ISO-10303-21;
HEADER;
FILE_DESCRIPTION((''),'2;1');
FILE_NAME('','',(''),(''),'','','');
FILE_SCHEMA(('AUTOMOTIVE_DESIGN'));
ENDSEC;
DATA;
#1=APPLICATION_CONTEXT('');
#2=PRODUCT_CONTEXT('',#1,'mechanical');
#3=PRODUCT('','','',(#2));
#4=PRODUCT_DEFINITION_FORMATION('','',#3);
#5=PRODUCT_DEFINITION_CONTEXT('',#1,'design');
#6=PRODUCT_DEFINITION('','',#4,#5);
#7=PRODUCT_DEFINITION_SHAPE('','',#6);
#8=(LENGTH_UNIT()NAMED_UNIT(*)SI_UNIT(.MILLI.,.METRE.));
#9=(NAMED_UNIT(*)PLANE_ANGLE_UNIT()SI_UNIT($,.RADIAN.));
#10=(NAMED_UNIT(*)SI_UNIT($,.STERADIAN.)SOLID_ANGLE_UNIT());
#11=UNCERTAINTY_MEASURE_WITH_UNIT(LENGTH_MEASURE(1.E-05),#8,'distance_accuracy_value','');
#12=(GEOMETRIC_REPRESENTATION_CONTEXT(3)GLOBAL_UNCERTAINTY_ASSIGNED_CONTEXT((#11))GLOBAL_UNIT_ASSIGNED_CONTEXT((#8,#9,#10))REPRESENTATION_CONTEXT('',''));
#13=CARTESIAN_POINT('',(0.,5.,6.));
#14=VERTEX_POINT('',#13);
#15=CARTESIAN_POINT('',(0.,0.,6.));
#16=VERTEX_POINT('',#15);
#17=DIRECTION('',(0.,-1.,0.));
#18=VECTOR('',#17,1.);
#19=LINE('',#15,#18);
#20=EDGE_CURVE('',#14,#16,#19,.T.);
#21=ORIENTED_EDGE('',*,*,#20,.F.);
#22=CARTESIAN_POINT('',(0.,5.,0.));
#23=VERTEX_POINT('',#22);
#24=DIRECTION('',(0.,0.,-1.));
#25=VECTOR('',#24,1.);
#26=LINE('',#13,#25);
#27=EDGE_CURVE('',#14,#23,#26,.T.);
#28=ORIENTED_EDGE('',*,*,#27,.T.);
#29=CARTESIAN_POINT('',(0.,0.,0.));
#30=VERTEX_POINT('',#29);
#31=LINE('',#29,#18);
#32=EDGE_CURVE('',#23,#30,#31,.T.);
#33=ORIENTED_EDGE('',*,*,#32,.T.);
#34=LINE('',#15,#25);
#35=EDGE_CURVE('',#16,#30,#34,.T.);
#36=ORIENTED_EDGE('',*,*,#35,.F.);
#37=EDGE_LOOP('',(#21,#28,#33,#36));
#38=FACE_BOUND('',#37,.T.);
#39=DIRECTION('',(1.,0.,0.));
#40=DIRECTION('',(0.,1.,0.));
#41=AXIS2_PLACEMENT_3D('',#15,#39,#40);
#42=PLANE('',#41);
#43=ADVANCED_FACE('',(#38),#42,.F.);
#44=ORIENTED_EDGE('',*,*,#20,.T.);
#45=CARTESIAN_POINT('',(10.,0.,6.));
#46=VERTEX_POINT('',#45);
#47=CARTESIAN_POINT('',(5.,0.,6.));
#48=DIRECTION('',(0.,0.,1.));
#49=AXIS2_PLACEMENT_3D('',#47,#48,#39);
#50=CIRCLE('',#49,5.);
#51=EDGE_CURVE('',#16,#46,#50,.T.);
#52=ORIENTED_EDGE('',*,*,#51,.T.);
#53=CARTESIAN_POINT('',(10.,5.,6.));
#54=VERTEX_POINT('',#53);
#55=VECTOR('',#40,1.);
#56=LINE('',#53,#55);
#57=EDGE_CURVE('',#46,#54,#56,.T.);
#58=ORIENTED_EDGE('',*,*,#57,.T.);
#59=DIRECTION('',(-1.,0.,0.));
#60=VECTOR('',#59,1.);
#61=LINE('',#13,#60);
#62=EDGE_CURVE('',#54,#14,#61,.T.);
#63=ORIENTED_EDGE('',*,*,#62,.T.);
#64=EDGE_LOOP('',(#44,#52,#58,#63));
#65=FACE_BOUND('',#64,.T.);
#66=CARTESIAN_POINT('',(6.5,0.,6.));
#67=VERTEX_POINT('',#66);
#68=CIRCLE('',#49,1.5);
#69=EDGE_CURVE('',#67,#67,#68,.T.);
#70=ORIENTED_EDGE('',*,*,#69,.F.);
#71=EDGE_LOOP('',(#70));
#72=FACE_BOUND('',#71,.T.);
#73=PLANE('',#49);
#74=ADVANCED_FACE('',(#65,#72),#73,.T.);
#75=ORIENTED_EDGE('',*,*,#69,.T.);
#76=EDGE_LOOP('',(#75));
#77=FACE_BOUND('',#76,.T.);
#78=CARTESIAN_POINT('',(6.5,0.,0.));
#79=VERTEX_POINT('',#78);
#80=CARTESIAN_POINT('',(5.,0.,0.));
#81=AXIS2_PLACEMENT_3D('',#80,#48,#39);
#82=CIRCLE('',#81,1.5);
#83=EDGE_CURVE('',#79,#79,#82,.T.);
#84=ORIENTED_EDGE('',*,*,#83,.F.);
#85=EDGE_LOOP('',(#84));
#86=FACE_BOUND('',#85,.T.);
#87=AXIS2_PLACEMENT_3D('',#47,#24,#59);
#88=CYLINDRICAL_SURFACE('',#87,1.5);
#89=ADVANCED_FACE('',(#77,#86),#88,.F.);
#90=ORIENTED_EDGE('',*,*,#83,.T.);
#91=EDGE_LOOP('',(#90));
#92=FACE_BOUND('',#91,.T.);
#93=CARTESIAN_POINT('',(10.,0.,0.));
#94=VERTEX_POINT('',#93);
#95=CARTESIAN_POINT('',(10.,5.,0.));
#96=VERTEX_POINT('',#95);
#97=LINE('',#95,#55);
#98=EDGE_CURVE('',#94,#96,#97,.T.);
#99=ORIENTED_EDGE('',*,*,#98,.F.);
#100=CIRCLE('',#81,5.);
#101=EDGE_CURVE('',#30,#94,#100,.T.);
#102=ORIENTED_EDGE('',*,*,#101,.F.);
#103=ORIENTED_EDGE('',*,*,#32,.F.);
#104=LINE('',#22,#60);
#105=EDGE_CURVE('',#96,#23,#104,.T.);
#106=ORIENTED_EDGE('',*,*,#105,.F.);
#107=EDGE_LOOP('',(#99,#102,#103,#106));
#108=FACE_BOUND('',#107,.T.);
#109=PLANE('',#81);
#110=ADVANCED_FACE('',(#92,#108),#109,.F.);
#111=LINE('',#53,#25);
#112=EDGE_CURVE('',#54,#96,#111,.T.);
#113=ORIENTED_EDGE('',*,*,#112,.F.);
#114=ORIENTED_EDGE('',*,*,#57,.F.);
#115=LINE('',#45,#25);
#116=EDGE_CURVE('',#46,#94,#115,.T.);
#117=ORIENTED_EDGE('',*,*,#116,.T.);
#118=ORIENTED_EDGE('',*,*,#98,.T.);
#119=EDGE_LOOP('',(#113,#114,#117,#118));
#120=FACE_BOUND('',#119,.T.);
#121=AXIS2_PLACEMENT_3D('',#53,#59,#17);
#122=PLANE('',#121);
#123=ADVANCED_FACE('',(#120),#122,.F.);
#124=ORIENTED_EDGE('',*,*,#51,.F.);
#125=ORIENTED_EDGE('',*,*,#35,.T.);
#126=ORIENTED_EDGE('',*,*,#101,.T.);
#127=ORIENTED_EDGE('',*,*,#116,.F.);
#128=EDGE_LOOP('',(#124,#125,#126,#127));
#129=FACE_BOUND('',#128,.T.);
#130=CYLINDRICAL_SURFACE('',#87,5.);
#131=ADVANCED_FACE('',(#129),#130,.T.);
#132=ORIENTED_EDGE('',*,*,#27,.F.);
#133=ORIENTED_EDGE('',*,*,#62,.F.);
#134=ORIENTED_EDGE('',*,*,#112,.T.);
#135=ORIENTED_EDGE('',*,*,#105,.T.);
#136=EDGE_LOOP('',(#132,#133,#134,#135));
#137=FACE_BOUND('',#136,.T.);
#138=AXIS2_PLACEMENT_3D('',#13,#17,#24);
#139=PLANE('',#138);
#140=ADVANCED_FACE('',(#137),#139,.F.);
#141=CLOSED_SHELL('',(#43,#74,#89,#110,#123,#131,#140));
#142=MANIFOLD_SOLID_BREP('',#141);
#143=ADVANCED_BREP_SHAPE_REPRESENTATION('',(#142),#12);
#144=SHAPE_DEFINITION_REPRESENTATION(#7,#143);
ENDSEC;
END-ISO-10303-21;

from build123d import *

# Parameters (mm, degrees)
SKETCH1_R           = 1.5
BOSS_EXTRUDE1_DEPTH = 6


with BuildPart() as part:
    # Sketch1 → Boss-Extrude1 (new body)
    with BuildSketch(Plane.XY):
        with BuildLine():
            Line((0, 0), (0, 5))
            Line((0, 5), (10, 5))
            Line((10, 5), (10, 0))
            ThreePointArc((10, 0), (5, -5), (0, 0))
        make_face()
        with Locations((5, 0)):
            Circle(SKETCH1_R, mode=Mode.SUBTRACT)
    extrude(amount=BOSS_EXTRUDE1_DEPTH)


solid = part.part
